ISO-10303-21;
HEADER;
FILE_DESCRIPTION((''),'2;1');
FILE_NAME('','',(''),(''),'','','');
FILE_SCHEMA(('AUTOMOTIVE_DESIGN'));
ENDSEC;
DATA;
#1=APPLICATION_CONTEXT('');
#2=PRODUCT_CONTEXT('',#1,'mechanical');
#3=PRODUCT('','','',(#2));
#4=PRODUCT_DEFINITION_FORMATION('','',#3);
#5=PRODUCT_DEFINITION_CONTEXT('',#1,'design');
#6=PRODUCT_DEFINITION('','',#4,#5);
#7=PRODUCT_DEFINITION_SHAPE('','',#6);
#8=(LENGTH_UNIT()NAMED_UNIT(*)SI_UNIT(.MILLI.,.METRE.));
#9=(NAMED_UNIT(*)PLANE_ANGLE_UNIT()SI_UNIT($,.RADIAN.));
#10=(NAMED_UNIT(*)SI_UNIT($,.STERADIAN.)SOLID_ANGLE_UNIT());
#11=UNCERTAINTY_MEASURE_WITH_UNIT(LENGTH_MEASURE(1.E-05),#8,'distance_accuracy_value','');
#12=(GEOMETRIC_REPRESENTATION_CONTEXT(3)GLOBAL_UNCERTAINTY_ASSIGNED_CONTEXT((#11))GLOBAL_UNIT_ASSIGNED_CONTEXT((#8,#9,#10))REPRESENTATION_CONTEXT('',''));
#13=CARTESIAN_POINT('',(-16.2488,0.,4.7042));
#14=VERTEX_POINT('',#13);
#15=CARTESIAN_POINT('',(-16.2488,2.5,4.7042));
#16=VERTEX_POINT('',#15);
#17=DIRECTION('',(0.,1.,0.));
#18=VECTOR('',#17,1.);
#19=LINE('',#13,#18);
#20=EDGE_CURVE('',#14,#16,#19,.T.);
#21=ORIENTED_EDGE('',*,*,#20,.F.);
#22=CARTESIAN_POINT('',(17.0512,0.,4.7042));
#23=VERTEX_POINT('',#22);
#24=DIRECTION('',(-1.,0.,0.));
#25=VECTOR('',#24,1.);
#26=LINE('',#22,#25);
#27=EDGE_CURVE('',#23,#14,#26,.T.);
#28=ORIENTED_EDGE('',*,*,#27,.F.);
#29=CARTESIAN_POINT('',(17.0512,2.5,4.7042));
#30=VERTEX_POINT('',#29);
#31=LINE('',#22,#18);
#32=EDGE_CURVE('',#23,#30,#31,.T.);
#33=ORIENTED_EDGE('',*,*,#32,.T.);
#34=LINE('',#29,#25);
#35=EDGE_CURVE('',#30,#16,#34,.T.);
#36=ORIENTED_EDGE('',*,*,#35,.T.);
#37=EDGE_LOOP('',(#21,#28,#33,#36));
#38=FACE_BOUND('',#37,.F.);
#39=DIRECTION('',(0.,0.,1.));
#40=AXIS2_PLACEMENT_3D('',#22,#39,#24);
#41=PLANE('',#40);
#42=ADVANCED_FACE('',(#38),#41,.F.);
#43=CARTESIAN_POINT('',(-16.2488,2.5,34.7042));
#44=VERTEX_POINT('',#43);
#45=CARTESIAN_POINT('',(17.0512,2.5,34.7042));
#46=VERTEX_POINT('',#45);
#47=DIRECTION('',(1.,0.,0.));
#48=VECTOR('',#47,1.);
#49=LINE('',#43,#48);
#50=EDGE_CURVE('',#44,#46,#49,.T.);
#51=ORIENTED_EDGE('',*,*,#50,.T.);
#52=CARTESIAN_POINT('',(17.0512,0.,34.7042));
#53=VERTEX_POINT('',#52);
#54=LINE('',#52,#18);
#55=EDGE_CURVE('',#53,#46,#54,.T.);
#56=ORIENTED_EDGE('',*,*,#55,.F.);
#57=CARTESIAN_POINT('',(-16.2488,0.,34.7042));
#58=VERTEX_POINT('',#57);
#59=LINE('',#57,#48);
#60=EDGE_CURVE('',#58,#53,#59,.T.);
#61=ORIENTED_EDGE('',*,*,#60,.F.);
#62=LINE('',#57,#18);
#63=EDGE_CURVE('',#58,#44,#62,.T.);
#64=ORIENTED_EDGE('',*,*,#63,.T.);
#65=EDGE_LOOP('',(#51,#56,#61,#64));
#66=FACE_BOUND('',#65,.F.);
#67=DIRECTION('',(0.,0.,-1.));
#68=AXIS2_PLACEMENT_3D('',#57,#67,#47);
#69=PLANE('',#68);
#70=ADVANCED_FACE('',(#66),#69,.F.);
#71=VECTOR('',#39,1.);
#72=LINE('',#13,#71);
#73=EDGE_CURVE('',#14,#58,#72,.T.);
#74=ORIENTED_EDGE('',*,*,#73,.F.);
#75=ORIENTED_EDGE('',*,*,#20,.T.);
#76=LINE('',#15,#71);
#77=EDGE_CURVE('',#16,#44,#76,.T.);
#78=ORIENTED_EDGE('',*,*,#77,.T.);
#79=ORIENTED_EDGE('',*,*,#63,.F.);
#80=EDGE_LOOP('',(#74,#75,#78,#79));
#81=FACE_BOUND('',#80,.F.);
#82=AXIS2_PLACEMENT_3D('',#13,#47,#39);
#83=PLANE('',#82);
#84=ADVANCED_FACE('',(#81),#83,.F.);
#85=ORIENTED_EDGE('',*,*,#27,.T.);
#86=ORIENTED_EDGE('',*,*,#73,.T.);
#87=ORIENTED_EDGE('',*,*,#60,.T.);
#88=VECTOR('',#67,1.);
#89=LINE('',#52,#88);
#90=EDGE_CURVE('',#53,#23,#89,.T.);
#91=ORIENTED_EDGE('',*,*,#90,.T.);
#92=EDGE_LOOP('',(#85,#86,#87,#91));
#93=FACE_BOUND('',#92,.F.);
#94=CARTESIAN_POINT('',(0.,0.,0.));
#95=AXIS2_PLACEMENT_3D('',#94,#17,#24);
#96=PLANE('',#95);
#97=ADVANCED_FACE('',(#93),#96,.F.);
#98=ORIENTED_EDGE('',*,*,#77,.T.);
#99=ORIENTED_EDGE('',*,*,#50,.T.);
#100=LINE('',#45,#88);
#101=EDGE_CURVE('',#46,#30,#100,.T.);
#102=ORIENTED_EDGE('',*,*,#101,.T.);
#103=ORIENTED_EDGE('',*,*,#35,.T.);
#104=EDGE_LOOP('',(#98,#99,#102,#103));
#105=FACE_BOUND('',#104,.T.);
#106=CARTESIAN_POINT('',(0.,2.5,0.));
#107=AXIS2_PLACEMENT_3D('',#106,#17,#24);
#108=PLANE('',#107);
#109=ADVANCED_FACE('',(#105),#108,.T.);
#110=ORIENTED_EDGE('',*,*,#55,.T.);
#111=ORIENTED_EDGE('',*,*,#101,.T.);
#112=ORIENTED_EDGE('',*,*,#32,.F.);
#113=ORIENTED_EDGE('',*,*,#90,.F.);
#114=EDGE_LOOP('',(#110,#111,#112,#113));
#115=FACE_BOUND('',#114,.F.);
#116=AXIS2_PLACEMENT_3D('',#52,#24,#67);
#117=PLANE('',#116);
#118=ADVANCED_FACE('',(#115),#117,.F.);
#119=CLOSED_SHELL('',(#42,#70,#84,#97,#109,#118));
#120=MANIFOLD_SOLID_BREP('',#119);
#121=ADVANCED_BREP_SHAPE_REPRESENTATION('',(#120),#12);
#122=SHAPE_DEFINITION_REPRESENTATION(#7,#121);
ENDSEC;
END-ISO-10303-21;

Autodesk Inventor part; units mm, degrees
ref_plane "YZ Plane" through (0, 0, 0) normal (1, 0, 0) x (0, 1, 0)
ref_plane "XZ Plane" through (0, 0, 0) normal (0, 1, 0) x (-1, 0, 0)
ref_plane "XY Plane" through (0, 0, 0) normal (0, 0, 1) x (1, 0, 0)
sketch "Sketch1" plane through (0, 0, 0) normal (0, 1, 0) x (-1, 0, 0)
  line L0 (16.2488, 34.7042) -> (-17.0512, 34.7042)
  line L1 (-17.0512, 34.7042) -> (-17.0512, 4.7042)
  line L2 (-17.0512, 4.7042) -> (16.2488, 4.7042)
  line L3 (16.2488, 4.7042) -> (16.2488, 34.7042)
  point P0 (0, 0)
  dimension "d0" = 33.3
  dimension "d1" = 30
extrude "Extrusion1" add sketch "Sketch1" along normal blind 2.5
equation "\"d2\" = ClipHeight"
equation "\"ClipHeight\" = 2.5"
properties part number "BodyClipMiddle"
